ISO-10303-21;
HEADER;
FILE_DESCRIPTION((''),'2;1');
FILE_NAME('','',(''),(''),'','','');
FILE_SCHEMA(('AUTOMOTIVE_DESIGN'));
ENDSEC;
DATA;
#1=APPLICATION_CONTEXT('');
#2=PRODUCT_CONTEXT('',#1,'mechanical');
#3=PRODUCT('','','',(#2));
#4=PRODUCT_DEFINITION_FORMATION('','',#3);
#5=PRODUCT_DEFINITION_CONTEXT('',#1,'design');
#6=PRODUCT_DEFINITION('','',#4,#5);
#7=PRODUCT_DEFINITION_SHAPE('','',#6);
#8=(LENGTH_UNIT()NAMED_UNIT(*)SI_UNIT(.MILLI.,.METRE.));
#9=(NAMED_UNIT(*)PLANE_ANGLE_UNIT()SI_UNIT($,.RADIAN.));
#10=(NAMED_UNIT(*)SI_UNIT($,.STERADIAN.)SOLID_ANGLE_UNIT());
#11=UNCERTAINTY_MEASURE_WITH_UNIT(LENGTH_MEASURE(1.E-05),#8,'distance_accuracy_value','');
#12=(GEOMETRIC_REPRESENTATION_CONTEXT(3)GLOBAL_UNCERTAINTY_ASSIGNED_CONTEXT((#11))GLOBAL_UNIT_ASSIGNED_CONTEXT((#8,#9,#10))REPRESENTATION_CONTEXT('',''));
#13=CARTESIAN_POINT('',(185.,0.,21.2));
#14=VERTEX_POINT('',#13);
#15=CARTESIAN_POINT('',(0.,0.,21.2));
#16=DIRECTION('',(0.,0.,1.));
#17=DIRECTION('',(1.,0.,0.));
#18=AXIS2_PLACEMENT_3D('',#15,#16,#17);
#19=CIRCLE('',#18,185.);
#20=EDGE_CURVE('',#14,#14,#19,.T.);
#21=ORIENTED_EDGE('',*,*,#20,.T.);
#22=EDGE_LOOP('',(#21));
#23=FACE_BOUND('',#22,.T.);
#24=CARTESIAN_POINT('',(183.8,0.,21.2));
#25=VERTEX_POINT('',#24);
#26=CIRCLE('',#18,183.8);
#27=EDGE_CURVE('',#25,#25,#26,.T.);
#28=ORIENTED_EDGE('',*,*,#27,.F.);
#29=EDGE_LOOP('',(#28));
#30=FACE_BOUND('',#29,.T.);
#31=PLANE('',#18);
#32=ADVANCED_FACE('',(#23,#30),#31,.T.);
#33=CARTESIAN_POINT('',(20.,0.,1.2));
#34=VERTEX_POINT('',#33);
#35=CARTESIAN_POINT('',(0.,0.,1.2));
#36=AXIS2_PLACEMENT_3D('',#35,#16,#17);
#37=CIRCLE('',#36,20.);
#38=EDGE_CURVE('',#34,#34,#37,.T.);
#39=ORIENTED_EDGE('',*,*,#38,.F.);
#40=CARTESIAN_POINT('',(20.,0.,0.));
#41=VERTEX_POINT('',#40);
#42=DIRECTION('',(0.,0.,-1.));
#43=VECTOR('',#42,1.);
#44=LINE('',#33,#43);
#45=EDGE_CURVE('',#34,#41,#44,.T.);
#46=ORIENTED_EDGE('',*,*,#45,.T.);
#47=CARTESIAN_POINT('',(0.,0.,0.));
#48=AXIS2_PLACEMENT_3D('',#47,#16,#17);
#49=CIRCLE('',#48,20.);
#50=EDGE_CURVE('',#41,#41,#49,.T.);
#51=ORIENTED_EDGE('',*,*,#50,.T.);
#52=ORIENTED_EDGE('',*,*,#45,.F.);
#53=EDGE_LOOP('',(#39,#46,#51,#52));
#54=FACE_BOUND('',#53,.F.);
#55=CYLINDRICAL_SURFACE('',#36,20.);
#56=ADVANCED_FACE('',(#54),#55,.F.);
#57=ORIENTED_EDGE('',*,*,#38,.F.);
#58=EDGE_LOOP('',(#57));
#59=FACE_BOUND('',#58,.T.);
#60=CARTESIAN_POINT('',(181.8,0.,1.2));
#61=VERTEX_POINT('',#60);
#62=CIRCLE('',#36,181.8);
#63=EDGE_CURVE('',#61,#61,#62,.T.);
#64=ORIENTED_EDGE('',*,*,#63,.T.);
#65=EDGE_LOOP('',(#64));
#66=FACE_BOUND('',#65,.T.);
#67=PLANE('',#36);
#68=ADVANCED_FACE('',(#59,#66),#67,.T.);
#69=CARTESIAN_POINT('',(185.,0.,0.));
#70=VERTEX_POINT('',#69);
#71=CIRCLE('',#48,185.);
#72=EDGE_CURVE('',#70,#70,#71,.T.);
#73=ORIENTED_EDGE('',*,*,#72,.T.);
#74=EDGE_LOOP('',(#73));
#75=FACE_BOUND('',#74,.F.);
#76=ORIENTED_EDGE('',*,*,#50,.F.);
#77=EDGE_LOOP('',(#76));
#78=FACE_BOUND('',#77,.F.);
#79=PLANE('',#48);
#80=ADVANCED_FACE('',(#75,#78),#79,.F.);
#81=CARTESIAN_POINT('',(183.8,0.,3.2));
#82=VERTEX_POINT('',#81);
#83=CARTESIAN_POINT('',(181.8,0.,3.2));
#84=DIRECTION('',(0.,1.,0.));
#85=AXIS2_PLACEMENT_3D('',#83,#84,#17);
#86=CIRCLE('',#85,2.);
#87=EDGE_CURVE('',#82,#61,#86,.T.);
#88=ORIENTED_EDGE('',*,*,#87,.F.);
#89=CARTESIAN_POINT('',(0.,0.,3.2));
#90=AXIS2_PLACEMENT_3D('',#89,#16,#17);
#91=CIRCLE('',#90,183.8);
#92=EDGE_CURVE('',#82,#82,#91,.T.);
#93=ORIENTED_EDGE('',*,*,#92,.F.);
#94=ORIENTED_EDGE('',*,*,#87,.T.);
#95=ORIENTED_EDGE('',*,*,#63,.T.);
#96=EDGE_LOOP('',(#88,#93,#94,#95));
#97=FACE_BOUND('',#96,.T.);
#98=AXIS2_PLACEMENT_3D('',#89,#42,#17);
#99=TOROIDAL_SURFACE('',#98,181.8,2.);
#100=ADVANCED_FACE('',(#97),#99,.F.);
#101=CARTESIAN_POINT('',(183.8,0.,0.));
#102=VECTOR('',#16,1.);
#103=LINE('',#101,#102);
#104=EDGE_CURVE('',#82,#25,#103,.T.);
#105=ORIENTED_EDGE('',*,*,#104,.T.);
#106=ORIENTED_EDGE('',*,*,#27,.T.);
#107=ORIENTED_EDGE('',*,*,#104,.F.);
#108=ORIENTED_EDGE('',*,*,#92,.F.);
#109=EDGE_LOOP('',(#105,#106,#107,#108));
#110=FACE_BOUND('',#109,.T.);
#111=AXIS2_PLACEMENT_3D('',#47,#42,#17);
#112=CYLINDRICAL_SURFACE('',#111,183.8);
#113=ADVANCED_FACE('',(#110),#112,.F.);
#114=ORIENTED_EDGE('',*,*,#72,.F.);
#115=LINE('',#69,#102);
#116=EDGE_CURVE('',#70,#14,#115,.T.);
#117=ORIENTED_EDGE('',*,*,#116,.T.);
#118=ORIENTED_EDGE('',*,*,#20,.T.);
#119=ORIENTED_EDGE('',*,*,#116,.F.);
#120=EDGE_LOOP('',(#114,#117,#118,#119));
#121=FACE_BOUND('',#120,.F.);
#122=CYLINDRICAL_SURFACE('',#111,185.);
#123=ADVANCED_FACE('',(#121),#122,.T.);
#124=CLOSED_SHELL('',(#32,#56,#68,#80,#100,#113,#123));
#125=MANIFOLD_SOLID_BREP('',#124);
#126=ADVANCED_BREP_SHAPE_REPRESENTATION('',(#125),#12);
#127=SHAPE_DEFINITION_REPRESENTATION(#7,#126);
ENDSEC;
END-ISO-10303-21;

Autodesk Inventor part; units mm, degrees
ref_plane "YZ Plane" through (0, 0, 0) normal (1, 0, 0) x (0, 1, 0)
ref_plane "XZ Plane" through (0, 0, 0) normal (0, 1, 0) x (-1, 0, 0)
ref_plane "XY Plane" through (0, 0, 0) normal (0, 0, 1) x (1, 0, 0)
sketch "Boceto1" plane through (0, 0, 0) normal (0, 0, 1) x (1, 0, 0)
  circle A0 centre (0, 0) radius 185
  circle A1 centre (0, 0) radius 183.8
  dimension "d0" = 370
  dimension "d1" = 367.6
extrude "Extrusión1" add sketch "Boceto1" along normal blind 1.2 contours A1
extrude "Extrusión2" add sketch "Boceto1" along normal blind 21.2
fillet "Empalme1" radius 2 1 edges at (-183.8, 0, 1.2)
sketch "Boceto2" plane through (0, 0, 1.2) normal (0, 0, 1) x (1, 0, 0)
  circle A0 centre (0, 0) radius 20
  dimension "d7" = 40
extrude "Extrusión3" cut sketch "Boceto2" against normal blind 10
properties part number "tapa_tambor"
